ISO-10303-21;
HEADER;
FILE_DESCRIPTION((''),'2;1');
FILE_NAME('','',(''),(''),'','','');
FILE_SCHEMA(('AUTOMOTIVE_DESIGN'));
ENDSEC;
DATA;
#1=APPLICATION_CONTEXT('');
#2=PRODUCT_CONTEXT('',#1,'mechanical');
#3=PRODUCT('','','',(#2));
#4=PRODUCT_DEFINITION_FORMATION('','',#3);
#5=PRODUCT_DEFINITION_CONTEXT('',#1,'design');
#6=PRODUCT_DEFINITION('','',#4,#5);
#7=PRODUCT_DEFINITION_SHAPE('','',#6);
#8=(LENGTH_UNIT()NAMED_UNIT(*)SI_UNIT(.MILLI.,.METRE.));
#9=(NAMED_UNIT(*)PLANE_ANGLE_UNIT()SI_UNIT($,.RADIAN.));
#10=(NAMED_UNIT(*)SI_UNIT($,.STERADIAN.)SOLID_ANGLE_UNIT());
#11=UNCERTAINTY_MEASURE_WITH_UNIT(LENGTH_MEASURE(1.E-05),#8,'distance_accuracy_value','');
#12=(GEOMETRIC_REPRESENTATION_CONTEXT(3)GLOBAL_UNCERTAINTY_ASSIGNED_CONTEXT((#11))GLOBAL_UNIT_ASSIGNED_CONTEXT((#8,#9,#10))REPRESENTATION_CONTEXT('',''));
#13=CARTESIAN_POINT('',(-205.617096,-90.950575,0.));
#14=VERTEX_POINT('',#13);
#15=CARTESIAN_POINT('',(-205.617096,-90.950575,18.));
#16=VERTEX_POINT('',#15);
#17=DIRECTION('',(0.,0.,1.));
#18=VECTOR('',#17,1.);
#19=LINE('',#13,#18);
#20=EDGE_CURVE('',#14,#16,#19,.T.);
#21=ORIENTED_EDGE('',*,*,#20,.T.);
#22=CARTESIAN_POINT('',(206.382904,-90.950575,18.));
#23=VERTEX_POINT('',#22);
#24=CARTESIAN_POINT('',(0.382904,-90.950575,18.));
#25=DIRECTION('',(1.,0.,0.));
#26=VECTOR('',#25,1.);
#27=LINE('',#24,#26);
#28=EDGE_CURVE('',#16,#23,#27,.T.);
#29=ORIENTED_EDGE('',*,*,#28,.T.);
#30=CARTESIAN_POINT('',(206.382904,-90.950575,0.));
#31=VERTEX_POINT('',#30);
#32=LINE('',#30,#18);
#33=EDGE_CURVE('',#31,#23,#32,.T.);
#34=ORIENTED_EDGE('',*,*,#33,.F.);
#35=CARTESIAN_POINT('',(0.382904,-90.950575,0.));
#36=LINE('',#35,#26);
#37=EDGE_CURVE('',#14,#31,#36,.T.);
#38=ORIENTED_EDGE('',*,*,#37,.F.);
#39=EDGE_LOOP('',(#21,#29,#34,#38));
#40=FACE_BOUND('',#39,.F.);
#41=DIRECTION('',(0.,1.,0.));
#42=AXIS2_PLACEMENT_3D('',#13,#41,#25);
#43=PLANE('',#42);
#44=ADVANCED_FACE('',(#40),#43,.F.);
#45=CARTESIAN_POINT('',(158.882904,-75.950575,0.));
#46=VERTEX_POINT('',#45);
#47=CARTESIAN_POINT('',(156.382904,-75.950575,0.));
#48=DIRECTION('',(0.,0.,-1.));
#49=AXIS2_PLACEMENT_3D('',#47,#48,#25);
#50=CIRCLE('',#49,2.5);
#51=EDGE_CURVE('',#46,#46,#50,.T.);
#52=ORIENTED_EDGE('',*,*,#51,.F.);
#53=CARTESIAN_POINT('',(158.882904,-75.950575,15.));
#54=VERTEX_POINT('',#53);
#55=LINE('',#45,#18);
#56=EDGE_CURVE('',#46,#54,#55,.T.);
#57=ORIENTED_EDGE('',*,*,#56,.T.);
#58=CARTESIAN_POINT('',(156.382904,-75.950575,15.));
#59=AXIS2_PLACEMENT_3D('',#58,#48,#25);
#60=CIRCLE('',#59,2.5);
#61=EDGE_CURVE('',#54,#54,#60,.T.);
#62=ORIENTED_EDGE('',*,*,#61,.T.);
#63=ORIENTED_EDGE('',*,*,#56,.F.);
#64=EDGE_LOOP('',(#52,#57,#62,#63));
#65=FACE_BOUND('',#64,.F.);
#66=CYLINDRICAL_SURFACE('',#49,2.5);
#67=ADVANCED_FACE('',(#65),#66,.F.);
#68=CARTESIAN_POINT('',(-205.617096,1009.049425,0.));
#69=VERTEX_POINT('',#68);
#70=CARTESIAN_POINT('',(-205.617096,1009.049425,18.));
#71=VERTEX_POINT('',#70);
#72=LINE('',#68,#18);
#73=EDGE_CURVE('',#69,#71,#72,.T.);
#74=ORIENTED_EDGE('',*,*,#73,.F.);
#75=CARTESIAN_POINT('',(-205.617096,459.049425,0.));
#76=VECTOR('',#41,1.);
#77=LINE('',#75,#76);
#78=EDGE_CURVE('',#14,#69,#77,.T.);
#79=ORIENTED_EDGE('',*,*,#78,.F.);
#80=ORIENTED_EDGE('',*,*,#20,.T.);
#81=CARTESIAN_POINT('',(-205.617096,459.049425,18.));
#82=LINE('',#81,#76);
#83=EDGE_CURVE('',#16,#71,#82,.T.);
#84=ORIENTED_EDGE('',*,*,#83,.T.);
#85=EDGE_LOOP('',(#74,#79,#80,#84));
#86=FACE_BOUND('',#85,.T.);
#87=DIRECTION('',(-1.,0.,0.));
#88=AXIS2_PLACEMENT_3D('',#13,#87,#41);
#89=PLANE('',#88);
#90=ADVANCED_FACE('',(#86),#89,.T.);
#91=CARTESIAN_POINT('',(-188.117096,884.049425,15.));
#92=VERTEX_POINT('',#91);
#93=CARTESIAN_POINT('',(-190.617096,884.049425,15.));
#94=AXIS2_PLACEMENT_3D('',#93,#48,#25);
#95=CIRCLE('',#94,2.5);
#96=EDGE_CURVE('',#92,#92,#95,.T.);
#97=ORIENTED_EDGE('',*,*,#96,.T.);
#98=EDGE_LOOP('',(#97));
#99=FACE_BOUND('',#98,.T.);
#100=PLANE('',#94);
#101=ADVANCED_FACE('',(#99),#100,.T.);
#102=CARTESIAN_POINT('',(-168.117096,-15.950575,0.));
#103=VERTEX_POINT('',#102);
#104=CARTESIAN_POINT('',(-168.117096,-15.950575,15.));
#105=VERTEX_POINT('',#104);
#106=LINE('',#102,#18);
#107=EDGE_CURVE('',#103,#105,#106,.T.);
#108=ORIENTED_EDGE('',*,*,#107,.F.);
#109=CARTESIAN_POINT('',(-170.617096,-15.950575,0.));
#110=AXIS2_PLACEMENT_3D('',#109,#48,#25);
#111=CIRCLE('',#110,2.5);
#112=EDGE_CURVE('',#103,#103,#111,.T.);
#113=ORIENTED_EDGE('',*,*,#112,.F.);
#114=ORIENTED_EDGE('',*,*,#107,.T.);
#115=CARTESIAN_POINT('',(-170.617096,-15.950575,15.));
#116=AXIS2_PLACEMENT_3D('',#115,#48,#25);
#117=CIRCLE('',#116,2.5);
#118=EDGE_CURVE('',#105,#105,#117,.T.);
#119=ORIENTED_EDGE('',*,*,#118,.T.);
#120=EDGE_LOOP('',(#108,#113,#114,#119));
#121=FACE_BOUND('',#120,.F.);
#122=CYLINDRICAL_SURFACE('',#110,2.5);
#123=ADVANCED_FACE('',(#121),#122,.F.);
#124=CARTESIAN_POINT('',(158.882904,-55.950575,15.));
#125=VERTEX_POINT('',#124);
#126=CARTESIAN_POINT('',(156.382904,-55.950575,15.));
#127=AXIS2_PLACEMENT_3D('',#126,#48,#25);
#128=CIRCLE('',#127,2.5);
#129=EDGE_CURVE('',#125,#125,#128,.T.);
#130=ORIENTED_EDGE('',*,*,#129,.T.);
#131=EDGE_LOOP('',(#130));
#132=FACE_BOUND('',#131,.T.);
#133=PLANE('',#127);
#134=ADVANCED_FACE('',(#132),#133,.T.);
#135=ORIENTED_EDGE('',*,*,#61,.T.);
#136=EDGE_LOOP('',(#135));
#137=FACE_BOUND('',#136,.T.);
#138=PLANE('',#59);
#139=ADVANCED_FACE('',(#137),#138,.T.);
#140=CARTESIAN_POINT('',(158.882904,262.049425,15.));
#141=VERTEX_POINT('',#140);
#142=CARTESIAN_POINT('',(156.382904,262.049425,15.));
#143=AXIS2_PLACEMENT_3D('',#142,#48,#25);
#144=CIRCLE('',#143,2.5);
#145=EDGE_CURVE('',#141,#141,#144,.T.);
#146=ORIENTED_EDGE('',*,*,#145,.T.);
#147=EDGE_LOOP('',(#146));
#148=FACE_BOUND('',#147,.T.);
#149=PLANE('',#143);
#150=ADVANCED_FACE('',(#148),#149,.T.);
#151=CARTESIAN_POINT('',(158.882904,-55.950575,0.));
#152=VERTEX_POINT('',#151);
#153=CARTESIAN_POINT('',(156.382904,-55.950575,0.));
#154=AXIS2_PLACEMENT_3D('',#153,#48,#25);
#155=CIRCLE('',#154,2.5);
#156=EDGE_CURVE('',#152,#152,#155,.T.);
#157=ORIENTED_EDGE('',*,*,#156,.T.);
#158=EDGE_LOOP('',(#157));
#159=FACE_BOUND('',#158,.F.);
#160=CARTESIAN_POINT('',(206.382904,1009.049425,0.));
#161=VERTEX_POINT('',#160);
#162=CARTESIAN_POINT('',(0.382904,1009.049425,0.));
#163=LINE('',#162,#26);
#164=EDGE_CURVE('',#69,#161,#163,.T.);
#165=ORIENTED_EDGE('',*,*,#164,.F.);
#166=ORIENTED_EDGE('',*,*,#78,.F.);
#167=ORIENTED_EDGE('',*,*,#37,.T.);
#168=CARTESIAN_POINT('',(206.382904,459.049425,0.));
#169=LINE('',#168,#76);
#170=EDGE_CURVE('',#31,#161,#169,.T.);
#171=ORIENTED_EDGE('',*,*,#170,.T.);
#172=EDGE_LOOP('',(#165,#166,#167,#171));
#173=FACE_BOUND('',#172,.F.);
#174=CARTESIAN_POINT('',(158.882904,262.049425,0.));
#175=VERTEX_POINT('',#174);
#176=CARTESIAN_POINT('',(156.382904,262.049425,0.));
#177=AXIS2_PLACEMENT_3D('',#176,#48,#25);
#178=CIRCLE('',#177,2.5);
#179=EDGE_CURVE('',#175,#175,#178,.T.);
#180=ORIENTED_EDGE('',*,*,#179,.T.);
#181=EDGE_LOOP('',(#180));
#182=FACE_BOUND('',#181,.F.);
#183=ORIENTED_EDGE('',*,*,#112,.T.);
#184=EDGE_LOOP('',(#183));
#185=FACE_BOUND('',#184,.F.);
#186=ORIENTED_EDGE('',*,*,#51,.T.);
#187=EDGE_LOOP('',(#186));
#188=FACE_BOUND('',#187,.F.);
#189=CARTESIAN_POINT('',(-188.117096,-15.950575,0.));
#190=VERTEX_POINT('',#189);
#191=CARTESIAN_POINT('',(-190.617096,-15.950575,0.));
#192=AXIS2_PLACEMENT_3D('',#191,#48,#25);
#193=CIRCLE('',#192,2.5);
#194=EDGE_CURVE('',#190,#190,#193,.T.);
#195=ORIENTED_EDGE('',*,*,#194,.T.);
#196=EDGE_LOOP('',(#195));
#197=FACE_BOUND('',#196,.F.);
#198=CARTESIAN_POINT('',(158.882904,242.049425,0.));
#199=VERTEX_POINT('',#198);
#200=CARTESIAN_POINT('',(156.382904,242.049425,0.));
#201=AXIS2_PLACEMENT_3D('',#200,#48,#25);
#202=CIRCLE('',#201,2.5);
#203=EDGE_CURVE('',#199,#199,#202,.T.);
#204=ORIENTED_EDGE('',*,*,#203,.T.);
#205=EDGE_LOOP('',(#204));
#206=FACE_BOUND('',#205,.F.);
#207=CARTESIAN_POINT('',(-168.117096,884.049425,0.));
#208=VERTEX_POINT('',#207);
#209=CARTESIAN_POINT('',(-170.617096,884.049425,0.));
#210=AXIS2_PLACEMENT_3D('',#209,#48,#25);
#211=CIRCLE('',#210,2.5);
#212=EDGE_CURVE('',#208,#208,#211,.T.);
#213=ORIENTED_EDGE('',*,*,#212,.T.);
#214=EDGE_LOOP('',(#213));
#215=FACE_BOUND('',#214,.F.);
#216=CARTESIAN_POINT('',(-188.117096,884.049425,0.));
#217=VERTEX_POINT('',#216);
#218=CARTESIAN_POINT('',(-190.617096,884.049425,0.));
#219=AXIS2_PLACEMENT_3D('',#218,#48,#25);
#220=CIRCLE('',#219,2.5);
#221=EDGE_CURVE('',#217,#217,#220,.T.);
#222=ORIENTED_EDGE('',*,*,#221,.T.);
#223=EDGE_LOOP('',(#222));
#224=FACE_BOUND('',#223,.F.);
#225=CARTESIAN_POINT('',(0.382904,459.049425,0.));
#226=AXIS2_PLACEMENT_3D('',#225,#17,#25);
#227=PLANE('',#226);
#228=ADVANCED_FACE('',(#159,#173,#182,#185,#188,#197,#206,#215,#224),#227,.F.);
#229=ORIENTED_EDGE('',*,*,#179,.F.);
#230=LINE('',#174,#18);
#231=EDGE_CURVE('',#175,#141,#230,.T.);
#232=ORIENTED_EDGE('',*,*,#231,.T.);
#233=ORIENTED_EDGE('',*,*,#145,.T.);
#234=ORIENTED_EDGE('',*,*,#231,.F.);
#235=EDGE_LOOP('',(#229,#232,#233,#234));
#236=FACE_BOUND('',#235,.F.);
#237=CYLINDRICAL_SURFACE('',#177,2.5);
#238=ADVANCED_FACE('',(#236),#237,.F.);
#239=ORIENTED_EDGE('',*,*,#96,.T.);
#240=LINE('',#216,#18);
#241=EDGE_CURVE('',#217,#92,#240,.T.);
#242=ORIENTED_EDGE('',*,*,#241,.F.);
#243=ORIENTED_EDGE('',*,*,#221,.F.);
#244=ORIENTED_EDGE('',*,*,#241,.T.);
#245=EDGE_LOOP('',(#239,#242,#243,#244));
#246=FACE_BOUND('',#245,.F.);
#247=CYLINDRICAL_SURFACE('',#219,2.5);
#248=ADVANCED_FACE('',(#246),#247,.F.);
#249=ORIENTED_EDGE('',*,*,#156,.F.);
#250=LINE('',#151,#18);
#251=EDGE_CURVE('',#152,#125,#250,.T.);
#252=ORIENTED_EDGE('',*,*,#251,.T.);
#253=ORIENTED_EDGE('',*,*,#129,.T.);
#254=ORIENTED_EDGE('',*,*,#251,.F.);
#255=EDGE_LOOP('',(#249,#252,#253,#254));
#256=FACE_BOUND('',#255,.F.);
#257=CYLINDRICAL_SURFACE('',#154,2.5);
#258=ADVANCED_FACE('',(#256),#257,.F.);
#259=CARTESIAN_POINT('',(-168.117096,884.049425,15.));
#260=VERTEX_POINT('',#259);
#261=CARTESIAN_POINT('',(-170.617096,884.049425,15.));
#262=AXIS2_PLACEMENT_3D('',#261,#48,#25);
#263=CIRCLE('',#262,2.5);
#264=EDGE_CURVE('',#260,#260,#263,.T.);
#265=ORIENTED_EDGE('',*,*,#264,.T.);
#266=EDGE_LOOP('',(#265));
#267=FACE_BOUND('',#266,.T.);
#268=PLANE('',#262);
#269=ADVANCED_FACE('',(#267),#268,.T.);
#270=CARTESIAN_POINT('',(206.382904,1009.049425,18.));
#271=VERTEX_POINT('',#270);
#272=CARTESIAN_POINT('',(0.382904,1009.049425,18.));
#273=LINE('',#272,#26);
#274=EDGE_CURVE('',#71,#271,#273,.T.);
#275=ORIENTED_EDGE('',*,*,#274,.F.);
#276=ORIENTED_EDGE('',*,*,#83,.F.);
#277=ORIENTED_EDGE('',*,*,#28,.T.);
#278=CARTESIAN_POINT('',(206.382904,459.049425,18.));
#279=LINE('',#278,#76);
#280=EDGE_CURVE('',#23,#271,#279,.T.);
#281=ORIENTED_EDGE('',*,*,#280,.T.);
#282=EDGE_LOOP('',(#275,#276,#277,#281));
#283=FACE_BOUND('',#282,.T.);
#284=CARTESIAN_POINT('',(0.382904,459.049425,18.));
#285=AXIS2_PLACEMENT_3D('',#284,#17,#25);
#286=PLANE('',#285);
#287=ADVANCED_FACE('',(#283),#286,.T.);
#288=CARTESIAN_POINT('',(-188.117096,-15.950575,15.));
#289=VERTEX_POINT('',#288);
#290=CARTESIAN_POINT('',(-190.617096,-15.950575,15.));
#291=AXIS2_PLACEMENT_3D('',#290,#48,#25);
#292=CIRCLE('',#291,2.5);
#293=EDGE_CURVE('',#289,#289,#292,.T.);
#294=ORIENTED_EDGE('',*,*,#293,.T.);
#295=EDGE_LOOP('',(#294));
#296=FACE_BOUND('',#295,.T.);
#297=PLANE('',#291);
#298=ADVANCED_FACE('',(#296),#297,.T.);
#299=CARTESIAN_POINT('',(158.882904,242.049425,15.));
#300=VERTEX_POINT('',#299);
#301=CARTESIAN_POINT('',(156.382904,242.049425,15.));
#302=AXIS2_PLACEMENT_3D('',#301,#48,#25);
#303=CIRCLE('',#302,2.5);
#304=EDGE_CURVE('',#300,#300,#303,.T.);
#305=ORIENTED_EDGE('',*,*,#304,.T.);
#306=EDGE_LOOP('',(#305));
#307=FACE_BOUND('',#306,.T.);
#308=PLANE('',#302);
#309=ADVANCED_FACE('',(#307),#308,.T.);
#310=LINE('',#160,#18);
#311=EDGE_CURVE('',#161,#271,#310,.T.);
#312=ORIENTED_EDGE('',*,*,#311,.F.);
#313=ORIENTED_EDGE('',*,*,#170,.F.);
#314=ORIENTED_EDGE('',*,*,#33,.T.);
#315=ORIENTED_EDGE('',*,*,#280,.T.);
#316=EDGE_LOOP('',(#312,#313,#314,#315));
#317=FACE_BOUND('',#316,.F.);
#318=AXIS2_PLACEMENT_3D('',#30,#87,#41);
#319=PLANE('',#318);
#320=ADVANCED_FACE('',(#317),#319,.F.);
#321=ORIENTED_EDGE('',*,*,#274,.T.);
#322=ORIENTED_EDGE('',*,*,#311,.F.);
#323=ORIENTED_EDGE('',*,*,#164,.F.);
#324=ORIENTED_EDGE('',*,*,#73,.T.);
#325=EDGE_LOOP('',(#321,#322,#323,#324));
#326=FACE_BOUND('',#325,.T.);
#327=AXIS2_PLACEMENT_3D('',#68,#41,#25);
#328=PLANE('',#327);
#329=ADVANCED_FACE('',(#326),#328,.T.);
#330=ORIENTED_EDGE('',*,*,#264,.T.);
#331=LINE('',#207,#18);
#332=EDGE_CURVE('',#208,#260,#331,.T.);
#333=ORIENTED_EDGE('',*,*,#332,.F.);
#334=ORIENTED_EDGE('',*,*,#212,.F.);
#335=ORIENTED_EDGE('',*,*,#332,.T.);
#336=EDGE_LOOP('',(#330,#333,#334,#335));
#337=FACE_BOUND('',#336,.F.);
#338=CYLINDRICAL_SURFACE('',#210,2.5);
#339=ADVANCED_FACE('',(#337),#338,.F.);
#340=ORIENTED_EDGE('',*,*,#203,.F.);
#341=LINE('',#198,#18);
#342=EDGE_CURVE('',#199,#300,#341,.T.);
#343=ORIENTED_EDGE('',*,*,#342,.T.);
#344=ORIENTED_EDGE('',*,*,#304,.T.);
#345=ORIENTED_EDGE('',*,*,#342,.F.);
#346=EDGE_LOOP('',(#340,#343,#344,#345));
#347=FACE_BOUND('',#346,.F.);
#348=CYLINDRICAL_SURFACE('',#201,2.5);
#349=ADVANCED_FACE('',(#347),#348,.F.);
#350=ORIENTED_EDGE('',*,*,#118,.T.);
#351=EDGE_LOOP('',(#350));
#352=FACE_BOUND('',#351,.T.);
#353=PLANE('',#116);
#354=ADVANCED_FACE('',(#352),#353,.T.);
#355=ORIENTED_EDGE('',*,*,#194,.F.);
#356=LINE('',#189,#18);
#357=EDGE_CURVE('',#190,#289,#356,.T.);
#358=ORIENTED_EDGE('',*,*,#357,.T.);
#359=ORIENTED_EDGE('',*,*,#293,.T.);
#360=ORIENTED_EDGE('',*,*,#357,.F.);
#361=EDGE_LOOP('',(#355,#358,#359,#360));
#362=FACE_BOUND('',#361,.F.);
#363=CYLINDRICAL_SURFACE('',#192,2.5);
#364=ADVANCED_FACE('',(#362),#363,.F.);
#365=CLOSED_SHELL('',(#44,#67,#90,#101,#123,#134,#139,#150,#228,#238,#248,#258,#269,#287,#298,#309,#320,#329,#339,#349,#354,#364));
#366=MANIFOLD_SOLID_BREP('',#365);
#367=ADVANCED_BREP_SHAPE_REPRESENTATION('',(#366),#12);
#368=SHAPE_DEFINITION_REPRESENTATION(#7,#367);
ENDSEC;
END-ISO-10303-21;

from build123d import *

# Parameters (mm, degrees)
F0_W     = 412
F0_H     = 1100
F1_DEPTH = 18
F2_R     = 2.5
F3_DEPTH = 15


with BuildPart() as f1:
    # F0 (on Top) → F1 (new body)
    with BuildSketch(Plane.XY):
        with Locations((0.382904, 459.049425)):
            Rectangle(F0_W, F0_H)
    extrude(amount=F1_DEPTH)

    # F2 (on face) → F3 (cut)
    with BuildSketch(Plane(origin=(0, 0, 0), x_dir=(1, 0, 0), z_dir=(0, 0, -1))):
        with Locations((-190.617096, -884.049425)):
            Circle(F2_R)
        with Locations((-170.617096, -884.049425)):
            Circle(F2_R)
        with Locations((156.382904, -262.049425)):
            Circle(F2_R)
        with Locations((156.382904, -242.049425)):
            Circle(F2_R)
        with Locations((156.382904, 55.950575)):
            Circle(F2_R)
        with Locations((156.382904, 75.950575)):
            Circle(F2_R)
        with Locations((-170.617096, 15.950575)):
            Circle(F2_R)
        with Locations((-190.617096, 15.950575)):
            Circle(F2_R)
    extrude(amount=-F3_DEPTH, mode=Mode.SUBTRACT)


solid = f1.part
